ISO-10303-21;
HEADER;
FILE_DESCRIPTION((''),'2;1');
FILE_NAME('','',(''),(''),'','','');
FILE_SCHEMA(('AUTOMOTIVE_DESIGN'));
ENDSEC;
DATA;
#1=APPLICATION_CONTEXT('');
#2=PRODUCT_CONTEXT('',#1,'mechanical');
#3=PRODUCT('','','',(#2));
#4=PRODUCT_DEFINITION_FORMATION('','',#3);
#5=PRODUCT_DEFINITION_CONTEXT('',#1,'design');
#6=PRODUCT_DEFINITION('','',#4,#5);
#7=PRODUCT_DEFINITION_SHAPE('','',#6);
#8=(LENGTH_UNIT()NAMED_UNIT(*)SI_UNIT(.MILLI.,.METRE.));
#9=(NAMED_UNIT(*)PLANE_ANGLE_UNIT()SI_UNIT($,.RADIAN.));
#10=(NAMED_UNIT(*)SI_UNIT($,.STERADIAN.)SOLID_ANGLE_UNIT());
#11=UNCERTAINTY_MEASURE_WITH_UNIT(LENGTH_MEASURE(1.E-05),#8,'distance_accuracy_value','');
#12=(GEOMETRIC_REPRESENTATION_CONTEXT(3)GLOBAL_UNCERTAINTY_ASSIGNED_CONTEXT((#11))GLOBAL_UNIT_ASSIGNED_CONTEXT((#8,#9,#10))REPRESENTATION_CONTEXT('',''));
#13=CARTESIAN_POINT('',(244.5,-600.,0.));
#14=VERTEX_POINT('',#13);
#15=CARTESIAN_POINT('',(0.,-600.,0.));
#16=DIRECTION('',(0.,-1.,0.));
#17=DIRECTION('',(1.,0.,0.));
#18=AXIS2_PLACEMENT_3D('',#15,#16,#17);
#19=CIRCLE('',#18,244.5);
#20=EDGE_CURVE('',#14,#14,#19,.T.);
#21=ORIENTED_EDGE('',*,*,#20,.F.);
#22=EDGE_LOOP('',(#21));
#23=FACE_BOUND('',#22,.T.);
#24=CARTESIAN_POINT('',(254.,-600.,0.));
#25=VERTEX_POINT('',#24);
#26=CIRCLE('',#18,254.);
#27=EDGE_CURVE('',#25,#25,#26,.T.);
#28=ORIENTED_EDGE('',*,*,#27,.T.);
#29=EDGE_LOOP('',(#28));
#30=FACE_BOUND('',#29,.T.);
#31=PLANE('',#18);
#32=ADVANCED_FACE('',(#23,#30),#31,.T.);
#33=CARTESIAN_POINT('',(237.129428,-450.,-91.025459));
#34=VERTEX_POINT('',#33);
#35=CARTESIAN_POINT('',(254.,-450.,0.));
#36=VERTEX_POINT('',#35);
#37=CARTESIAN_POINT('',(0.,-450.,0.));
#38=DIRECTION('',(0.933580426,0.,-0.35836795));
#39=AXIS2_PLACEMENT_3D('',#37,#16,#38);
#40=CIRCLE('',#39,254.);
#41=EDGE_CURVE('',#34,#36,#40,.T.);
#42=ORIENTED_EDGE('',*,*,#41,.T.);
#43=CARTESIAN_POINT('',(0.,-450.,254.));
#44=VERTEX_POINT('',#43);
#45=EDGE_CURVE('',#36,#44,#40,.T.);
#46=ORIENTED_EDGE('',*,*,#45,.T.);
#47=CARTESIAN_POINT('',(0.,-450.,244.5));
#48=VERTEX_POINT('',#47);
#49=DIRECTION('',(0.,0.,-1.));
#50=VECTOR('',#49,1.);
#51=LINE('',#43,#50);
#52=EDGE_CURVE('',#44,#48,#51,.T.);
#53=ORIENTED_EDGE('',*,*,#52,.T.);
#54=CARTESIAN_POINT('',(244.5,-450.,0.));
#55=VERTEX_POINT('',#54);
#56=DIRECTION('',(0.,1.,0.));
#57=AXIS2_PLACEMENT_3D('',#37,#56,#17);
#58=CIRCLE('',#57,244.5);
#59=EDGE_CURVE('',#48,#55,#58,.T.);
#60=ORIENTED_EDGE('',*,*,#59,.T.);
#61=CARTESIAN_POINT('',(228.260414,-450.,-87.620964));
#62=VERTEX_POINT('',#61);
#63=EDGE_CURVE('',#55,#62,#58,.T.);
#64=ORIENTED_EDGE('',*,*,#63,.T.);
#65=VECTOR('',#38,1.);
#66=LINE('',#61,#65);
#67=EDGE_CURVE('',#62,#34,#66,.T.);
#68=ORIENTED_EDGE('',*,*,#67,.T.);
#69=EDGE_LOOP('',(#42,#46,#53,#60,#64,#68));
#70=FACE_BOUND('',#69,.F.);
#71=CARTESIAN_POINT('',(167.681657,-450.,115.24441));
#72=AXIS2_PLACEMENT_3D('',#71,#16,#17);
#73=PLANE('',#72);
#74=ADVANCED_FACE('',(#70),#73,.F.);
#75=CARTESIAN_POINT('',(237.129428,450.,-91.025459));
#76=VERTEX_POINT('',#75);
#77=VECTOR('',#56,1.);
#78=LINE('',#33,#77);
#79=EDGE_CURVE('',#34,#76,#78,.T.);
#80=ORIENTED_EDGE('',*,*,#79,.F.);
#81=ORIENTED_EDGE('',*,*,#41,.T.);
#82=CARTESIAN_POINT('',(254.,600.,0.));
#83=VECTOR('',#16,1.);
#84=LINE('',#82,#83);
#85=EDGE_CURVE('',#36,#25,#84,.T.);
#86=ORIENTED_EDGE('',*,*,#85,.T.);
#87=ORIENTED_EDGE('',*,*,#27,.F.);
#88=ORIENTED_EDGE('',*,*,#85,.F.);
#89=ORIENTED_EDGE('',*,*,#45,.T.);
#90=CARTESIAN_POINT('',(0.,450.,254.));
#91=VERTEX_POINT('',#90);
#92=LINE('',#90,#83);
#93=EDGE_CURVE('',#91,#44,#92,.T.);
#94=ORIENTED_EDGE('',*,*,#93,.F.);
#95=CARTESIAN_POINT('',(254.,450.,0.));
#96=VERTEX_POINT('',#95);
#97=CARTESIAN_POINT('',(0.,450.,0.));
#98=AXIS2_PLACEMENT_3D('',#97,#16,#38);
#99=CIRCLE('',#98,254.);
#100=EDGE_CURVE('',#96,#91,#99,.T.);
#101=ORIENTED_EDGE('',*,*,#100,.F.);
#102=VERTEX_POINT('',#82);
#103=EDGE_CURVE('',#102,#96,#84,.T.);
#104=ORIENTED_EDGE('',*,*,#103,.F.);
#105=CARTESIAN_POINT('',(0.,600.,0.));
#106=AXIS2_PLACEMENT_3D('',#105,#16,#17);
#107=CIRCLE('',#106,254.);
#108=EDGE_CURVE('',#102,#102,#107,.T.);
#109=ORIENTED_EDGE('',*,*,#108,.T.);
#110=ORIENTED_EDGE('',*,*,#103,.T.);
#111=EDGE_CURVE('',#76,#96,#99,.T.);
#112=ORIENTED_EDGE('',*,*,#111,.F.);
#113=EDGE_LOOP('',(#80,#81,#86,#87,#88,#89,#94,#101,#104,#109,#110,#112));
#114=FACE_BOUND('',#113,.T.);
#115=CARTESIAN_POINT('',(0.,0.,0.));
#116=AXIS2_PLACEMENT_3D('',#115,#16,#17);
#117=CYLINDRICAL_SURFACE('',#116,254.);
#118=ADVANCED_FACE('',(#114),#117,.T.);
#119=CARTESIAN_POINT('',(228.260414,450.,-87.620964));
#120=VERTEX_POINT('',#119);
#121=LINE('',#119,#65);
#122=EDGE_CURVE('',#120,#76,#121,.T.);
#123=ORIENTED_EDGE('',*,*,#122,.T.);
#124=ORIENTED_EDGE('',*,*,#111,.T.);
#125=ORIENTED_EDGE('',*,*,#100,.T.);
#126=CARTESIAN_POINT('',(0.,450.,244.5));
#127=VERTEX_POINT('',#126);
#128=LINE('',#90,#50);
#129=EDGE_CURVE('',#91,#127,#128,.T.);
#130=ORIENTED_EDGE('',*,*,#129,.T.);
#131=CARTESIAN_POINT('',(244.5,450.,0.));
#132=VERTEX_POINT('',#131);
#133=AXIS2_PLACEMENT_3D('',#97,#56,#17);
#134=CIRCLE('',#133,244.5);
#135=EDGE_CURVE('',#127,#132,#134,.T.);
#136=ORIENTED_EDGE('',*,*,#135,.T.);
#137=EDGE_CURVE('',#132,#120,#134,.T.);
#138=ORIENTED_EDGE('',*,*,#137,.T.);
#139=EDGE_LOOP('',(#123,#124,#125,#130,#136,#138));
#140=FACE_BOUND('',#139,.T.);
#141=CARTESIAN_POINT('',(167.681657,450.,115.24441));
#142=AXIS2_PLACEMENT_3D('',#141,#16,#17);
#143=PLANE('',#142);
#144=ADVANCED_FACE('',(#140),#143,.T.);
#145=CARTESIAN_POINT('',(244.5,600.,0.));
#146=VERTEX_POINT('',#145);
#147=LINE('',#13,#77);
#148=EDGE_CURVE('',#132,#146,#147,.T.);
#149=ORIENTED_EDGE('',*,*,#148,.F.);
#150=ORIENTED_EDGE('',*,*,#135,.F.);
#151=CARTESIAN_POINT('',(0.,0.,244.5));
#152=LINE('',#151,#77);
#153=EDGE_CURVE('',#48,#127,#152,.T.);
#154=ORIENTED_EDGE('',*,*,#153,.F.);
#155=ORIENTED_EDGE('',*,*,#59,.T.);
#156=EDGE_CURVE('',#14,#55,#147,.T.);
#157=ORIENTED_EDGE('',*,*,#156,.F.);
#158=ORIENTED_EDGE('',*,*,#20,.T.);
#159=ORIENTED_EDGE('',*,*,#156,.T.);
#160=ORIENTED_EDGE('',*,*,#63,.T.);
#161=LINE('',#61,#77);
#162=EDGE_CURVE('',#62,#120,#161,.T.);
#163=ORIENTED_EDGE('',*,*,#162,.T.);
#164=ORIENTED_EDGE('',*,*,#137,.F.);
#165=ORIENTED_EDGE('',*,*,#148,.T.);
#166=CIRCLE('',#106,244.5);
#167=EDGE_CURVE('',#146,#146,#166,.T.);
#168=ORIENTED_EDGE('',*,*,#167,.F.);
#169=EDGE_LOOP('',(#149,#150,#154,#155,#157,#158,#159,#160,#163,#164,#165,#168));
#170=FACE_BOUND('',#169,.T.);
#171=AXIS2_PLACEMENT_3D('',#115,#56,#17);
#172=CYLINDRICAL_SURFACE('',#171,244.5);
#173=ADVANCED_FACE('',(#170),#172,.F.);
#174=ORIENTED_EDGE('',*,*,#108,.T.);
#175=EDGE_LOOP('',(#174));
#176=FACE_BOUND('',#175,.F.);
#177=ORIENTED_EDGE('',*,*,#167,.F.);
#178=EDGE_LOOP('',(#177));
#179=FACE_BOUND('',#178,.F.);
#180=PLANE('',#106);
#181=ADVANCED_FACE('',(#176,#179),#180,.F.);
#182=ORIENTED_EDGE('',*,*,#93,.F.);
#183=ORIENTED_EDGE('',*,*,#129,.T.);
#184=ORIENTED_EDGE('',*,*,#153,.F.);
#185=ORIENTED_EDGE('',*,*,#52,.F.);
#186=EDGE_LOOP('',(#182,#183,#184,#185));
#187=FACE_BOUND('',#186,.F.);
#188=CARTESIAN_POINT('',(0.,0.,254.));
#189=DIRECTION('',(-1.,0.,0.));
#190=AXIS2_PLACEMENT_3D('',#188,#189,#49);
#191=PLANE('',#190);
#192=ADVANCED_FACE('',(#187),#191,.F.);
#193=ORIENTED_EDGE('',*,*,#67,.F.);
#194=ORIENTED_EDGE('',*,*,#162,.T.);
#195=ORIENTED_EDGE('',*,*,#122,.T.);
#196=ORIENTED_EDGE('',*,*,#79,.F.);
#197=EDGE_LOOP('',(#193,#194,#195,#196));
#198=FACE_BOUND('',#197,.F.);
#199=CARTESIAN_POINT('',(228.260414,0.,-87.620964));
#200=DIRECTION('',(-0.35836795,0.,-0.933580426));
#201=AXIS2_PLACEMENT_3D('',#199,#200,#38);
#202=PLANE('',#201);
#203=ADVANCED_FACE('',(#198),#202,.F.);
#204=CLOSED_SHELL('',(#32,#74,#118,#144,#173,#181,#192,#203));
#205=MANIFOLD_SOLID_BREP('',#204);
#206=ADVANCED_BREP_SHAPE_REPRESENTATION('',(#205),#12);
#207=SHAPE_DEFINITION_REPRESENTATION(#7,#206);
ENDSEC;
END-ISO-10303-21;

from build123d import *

# Parameters (mm, degrees)
F0_R     = 254
F0_R_2   = 244.5
F1_DEPTH = 600
F3_DEPTH = 450


with BuildPart() as f1:
    # F0 (on Front) → F1 (new body, symmetric)
    with BuildSketch(Plane.XZ):
        Circle(F0_R)
        Circle(F0_R_2, mode=Mode.SUBTRACT)
    extrude(amount=F1_DEPTH, both=True)

    # F2 (on Front) → F3 (cut, symmetric)
    with BuildSketch(Plane.XZ):
        with BuildLine():
            ThreePointArc((237.1294283303, -91.0254591845), (209.32805191, 143.8671841789), (0, 254))
            Line((0, 254), (0, 244.5))
            ThreePointArc((0, 244.5), (201.4988531181, 138.4863249281), (228.2604142786, -87.6209636638))
            Line((228.2604142786, -87.6209636638), (237.1294283303, -91.0254591845))
        make_face()
        with BuildLine():
            ThreePointArc((228.2604142786, -87.6209636638), (201.4988531181, 138.4863249281), (0, 244.5))
            Line((0, 244.5), (0, 0))
            Line((0, 0), (228.2604142786, -87.6209636638))
        make_face()
    extrude(amount=F3_DEPTH, both=True, mode=Mode.SUBTRACT)


solid = f1.part
